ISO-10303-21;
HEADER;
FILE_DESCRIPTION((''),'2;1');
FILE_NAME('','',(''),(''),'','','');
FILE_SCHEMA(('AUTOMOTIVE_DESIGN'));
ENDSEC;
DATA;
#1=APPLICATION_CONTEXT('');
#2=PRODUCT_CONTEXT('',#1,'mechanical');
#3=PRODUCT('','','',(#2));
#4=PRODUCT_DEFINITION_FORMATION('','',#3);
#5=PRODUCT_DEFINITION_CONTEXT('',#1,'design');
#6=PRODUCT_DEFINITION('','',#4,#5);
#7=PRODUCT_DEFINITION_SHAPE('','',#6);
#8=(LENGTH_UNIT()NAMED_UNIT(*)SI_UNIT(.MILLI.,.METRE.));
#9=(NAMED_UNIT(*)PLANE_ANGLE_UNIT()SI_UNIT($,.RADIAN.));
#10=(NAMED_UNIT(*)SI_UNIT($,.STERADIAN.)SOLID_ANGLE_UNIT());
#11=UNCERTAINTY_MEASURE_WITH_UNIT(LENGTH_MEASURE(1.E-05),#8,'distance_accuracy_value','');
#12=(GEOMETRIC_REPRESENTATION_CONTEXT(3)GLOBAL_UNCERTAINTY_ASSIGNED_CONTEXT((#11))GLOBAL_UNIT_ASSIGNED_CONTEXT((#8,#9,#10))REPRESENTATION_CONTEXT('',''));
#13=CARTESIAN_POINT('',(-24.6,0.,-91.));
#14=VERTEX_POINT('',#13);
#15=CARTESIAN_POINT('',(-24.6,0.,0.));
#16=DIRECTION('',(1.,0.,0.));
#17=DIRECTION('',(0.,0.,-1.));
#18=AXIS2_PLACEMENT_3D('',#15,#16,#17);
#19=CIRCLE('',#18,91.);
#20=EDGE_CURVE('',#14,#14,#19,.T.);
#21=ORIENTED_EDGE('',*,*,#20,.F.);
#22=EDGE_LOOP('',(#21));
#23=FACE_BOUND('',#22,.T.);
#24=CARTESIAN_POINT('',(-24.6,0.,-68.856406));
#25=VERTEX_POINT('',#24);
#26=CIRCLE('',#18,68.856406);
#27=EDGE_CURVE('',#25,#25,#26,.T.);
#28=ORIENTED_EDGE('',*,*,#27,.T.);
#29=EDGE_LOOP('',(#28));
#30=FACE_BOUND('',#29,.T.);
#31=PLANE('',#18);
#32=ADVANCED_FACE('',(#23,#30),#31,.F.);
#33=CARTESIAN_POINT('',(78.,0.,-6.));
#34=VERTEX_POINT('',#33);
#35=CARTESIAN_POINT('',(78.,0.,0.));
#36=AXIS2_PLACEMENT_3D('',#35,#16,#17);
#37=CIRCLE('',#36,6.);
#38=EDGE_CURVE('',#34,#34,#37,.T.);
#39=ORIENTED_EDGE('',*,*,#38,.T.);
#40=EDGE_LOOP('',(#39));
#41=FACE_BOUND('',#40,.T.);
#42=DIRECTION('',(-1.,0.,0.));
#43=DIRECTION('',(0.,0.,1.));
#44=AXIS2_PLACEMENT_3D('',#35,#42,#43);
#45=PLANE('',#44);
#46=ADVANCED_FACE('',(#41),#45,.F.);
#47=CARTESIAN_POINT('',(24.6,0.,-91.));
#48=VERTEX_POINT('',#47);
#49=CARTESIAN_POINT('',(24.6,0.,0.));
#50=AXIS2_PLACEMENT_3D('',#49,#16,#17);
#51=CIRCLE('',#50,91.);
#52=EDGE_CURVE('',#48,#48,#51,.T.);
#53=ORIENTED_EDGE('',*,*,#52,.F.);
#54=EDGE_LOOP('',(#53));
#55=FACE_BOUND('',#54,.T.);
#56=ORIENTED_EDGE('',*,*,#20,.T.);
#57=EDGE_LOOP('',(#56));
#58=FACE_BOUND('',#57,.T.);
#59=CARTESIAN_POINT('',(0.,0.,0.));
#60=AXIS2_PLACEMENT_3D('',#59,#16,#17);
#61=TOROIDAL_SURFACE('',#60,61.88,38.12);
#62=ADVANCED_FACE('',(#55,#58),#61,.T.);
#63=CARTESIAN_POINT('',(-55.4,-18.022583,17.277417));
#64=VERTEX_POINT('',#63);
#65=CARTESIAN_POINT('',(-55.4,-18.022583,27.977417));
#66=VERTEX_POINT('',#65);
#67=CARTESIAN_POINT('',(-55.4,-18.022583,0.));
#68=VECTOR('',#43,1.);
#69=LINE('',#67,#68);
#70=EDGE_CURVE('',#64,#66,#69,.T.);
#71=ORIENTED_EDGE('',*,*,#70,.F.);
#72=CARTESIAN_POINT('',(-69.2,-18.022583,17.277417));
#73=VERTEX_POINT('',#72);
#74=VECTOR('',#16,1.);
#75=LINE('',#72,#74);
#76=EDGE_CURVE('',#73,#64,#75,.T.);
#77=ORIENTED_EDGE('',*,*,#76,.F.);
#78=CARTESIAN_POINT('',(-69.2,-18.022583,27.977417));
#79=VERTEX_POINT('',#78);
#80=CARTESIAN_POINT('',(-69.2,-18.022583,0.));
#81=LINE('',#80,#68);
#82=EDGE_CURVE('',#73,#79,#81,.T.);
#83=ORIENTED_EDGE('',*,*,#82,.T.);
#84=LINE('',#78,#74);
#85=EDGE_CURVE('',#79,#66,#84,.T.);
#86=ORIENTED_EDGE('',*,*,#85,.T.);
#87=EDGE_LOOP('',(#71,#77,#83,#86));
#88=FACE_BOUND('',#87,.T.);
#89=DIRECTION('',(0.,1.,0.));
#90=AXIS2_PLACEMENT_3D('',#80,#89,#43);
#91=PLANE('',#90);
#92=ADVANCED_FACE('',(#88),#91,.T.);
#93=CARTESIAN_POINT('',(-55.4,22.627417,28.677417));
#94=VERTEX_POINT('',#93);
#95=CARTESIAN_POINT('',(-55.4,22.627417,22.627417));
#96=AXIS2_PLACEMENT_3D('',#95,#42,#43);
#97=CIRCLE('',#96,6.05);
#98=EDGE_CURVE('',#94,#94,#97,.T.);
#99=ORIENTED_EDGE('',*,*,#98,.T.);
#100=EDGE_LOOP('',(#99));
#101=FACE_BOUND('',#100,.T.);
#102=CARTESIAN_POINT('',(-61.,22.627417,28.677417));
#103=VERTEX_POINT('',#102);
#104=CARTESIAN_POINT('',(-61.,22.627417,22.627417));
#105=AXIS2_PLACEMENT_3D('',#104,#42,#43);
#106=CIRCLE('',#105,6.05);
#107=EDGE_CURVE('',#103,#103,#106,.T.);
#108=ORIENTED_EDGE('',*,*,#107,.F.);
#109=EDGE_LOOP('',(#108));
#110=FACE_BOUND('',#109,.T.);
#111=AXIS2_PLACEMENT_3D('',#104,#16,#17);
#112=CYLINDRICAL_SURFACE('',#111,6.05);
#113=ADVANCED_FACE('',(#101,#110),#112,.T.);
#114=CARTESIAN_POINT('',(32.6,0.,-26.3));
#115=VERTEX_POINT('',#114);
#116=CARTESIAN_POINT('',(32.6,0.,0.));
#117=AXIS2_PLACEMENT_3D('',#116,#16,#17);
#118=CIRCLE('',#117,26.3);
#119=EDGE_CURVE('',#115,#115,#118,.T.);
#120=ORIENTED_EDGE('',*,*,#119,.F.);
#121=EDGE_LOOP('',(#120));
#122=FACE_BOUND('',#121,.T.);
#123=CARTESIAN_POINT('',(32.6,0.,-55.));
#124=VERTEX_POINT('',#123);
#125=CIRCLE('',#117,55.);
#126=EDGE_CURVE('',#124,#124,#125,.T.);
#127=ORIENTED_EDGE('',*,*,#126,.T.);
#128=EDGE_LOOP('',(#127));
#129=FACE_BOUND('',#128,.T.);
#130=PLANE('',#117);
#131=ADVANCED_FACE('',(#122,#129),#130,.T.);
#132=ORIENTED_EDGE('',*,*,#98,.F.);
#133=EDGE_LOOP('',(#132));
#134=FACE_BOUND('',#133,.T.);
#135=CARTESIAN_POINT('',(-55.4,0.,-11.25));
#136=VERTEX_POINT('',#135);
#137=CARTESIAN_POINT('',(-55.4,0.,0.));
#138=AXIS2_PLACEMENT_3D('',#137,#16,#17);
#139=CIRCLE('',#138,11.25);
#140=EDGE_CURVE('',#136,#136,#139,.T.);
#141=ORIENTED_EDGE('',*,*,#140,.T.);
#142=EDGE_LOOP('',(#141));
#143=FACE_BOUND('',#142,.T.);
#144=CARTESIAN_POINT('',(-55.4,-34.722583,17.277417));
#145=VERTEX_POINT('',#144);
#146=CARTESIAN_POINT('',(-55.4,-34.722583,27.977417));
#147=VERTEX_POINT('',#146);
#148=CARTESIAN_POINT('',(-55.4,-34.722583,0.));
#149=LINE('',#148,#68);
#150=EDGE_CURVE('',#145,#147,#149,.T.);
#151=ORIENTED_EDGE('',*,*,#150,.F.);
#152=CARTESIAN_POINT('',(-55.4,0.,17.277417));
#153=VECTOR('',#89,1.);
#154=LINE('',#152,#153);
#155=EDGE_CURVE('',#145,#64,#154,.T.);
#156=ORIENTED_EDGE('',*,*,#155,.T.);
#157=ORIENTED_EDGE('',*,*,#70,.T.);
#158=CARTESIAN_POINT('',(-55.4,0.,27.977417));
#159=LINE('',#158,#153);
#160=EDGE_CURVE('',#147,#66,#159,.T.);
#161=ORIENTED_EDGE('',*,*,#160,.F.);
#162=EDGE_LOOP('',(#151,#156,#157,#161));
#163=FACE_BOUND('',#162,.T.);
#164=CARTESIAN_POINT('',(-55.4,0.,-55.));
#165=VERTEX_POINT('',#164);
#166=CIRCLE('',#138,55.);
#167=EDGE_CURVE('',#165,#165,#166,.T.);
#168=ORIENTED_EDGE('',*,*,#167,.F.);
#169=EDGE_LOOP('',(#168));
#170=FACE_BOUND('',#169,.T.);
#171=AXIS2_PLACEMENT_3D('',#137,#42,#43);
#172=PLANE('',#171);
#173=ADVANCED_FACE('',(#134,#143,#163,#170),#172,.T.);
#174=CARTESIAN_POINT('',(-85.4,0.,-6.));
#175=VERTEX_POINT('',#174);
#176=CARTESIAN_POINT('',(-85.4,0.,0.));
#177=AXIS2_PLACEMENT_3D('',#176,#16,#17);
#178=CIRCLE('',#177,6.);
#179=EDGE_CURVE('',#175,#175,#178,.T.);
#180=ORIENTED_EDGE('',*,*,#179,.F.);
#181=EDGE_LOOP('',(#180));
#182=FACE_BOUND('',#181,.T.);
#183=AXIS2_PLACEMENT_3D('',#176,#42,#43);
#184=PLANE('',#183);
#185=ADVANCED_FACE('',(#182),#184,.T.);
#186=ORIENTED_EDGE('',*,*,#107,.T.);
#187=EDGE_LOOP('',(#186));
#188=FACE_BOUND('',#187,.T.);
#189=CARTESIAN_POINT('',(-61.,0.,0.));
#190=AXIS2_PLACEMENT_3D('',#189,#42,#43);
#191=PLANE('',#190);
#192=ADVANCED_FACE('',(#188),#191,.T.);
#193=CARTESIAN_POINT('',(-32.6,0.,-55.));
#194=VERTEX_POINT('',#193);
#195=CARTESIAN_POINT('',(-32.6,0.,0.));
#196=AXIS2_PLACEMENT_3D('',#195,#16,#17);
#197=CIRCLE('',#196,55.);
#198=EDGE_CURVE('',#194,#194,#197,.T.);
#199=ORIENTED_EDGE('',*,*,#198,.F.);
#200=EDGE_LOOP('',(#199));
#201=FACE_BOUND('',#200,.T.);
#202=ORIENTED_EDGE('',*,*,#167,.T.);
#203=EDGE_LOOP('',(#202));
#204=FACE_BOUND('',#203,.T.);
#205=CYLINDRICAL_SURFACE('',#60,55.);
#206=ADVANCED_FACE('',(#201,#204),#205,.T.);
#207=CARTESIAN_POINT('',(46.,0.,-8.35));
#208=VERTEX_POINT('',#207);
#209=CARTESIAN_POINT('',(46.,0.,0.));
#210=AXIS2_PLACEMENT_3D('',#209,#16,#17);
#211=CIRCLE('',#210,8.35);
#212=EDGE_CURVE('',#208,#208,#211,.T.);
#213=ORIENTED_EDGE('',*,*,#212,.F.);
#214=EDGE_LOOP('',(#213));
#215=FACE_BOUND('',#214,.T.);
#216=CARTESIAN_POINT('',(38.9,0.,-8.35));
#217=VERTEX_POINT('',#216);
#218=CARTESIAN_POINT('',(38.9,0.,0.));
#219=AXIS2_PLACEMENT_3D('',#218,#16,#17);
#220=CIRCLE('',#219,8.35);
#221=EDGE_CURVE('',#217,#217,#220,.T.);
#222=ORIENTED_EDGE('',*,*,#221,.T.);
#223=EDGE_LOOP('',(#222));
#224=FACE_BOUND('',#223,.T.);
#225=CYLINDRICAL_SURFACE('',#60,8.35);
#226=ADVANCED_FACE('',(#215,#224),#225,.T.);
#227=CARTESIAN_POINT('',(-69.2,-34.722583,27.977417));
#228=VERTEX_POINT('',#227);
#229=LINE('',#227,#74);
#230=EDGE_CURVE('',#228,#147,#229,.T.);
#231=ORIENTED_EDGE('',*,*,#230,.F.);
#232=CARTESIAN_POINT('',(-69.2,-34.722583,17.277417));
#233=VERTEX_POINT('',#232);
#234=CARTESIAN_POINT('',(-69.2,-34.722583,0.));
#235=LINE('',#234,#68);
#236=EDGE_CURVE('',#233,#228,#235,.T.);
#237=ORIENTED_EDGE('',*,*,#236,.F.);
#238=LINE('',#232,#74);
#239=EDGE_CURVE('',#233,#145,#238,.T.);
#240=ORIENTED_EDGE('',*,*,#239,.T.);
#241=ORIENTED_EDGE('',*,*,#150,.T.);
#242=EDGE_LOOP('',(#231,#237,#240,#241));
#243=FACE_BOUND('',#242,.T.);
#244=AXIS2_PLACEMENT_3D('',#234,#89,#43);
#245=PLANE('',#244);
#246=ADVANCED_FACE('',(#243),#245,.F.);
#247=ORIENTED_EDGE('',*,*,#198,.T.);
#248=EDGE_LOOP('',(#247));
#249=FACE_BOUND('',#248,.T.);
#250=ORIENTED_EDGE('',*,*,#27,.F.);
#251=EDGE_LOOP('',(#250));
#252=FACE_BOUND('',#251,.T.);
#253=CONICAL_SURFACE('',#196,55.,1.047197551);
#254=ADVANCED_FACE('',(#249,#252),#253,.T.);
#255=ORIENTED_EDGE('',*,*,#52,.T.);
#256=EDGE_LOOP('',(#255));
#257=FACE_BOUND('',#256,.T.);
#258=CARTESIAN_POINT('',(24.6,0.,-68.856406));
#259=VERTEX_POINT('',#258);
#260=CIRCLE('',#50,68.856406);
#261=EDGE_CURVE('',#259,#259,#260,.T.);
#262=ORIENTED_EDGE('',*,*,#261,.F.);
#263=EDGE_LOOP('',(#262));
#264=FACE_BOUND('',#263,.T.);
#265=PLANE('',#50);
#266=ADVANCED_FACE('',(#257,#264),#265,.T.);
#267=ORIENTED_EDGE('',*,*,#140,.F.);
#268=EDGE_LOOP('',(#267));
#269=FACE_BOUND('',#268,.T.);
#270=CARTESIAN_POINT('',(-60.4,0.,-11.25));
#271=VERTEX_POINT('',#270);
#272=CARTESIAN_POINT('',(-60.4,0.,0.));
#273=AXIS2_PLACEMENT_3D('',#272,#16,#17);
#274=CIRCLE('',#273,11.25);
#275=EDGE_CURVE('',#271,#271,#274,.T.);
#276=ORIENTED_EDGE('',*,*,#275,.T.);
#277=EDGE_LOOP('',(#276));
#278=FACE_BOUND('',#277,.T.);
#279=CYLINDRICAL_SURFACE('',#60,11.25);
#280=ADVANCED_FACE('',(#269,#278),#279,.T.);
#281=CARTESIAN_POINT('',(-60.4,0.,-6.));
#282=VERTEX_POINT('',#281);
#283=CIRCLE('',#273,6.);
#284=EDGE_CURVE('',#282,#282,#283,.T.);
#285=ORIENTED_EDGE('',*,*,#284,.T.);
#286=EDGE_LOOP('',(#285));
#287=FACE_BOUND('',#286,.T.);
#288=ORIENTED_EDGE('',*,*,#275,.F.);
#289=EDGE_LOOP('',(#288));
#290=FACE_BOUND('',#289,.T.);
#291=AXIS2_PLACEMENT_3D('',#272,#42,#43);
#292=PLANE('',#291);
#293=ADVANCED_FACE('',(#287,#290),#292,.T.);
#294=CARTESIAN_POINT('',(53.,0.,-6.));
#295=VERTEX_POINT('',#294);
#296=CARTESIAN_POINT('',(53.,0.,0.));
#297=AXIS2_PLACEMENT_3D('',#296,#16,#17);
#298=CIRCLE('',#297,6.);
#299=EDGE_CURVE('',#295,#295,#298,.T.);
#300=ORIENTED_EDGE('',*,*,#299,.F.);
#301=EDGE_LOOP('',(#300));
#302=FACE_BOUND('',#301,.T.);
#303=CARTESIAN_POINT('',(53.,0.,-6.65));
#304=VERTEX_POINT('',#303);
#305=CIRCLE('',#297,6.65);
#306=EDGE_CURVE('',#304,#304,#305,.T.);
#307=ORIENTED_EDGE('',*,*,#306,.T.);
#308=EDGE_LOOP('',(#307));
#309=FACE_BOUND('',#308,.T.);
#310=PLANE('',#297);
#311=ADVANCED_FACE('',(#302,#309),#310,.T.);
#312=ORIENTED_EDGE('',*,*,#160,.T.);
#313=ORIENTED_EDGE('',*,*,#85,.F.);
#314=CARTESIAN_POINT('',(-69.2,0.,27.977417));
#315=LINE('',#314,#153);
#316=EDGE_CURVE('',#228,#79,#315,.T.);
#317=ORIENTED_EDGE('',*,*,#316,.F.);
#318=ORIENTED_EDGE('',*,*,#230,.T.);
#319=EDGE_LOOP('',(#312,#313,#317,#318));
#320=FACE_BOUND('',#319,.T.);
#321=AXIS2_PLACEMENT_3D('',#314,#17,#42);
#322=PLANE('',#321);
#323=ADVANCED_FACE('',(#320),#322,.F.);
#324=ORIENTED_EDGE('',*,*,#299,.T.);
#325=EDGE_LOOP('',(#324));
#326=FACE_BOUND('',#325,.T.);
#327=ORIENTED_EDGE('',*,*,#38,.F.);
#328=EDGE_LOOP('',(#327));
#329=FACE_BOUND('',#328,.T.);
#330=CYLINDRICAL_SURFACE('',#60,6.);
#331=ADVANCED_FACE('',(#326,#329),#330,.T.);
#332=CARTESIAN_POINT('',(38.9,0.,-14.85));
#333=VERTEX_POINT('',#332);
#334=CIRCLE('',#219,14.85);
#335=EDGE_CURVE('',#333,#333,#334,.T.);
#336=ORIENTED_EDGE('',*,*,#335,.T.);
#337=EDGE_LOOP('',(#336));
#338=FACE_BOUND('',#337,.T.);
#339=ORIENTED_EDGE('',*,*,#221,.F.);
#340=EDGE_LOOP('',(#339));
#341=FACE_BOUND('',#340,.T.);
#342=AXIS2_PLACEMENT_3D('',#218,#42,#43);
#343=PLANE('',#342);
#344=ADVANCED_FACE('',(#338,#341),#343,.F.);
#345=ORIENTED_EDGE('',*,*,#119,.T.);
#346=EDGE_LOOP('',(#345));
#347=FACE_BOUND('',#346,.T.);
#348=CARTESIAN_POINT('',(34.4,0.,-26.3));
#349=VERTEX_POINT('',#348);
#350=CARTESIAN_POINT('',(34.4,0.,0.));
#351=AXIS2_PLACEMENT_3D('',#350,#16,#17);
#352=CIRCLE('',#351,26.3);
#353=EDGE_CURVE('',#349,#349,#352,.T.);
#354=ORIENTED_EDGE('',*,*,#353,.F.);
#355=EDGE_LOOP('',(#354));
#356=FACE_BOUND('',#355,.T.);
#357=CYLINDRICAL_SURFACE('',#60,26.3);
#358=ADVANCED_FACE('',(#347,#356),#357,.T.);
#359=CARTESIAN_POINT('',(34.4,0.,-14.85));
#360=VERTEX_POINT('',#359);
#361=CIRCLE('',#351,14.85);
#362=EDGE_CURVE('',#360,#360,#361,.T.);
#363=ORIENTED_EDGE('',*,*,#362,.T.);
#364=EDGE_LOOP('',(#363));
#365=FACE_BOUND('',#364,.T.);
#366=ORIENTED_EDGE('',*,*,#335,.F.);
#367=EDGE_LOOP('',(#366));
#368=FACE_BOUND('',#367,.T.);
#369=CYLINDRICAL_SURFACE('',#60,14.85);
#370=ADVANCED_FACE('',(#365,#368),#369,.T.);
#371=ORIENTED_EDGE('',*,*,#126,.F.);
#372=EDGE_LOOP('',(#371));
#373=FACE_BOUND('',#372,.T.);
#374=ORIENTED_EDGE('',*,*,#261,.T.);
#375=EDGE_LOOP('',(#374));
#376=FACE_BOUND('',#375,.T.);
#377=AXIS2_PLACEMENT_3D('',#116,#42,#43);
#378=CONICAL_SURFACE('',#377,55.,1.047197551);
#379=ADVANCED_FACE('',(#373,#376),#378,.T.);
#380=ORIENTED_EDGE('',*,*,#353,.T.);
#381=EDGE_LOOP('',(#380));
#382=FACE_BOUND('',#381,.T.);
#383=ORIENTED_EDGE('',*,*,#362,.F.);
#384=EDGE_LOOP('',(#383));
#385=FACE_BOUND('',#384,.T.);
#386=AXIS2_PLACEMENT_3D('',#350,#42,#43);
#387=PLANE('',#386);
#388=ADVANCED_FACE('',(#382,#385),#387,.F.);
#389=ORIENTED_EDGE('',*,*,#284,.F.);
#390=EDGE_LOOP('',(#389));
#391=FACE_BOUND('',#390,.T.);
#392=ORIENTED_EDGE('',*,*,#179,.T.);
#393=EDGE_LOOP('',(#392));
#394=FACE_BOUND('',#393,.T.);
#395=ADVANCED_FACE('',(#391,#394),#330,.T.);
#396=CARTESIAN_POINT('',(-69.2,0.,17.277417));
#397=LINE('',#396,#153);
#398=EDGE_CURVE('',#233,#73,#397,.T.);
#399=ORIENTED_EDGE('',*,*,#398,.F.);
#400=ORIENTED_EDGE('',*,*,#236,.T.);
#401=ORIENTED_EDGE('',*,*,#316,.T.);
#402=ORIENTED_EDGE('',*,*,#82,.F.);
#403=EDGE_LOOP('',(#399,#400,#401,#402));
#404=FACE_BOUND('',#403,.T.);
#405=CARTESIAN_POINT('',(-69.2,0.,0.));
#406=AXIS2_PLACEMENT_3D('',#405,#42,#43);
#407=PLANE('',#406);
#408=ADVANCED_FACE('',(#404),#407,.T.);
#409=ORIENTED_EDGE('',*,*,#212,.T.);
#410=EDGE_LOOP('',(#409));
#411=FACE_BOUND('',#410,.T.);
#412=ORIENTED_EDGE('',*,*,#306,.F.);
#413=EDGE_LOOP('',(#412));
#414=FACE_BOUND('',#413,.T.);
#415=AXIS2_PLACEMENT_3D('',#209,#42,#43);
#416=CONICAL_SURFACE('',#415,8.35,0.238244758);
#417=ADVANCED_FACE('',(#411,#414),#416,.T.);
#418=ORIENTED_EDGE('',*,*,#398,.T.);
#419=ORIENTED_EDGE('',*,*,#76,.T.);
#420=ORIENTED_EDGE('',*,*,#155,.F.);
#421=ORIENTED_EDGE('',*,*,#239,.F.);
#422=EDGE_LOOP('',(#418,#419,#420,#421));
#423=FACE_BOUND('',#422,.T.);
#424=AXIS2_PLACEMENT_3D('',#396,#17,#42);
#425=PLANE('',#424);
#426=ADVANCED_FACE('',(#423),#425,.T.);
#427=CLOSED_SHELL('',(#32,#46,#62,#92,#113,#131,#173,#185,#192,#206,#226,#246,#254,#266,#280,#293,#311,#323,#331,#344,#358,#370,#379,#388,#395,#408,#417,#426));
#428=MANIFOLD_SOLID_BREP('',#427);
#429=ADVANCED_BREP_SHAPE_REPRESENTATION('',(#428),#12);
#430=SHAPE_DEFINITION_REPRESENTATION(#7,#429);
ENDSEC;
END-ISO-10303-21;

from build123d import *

# Parameters (mm, degrees)
SKETCH2_R           = 6.05
BOSS_EXTRUDE1_DEPTH = 5.6
SKETCH2_3_W         = 10.7
SKETCH2_3_H         = 16.7
BOSS_EXTRUDE2_DEPTH = 13.8


with BuildPart() as part:
    # Sketch1 → Revolve1 (revolve)
    with BuildSketch(Plane.XY):
        with BuildLine():
            Line((78, 0), (78, 6))
            Line((78, 6), (53, 6))
            Line((53, 6), (53, 6.65))
            Line((53, 6.65), (46, 8.35))
            Line((46, 8.35), (38.9, 8.35))
            Line((38.9, 8.35), (38.9, 14.85))
            Line((38.9, 14.85), (34.4, 14.85))
            Line((34.4, 14.85), (34.4, 26.3))
            Line((34.4, 26.3), (32.6, 26.3))
            Line((32.6, 26.3), (32.6, 55))
            Line((32.6, 55), (24.6, 68.856406461))
            Line((24.6, 68.856406461), (24.6, 91))
            ThreePointArc((24.6, 91), (0, 100), (-24.6, 91))
            Line((-24.6, 91), (-24.6, 68.856406461))
            Line((-24.6, 68.856406461), (-32.6, 55))
            Line((-32.6, 55), (-55.4, 55))
            Line((-55.4, 55), (-55.4, 11.25))
            Line((-55.4, 11.25), (-60.4, 11.25))
            Line((-60.4, 11.25), (-60.4, 6))
            Line((-60.4, 6), (-85.4, 6))
            Line((-85.4, 6), (-85.4, 0))
            Line((-85.4, 0), (78, 0))
        make_face()
    revolve(axis=Axis((0, 0, 0), (-1, 0, 0)))

    # Sketch2 → Boss-Extrude1 (add)
    with BuildSketch(Plane.ZY.offset(55.4)):
        with Locations((22.627416998, 22.627416998)):
            Circle(SKETCH2_R)
    extrude(amount=BOSS_EXTRUDE1_DEPTH)

    # Sketch2<3> → Boss-Extrude2 (add)
    with BuildSketch(Plane.ZY.offset(55.4)):
        with Locations((22.627416998, -26.372583002)):
            Rectangle(SKETCH2_3_W, SKETCH2_3_H)
    extrude(amount=BOSS_EXTRUDE2_DEPTH)


solid = part.part
